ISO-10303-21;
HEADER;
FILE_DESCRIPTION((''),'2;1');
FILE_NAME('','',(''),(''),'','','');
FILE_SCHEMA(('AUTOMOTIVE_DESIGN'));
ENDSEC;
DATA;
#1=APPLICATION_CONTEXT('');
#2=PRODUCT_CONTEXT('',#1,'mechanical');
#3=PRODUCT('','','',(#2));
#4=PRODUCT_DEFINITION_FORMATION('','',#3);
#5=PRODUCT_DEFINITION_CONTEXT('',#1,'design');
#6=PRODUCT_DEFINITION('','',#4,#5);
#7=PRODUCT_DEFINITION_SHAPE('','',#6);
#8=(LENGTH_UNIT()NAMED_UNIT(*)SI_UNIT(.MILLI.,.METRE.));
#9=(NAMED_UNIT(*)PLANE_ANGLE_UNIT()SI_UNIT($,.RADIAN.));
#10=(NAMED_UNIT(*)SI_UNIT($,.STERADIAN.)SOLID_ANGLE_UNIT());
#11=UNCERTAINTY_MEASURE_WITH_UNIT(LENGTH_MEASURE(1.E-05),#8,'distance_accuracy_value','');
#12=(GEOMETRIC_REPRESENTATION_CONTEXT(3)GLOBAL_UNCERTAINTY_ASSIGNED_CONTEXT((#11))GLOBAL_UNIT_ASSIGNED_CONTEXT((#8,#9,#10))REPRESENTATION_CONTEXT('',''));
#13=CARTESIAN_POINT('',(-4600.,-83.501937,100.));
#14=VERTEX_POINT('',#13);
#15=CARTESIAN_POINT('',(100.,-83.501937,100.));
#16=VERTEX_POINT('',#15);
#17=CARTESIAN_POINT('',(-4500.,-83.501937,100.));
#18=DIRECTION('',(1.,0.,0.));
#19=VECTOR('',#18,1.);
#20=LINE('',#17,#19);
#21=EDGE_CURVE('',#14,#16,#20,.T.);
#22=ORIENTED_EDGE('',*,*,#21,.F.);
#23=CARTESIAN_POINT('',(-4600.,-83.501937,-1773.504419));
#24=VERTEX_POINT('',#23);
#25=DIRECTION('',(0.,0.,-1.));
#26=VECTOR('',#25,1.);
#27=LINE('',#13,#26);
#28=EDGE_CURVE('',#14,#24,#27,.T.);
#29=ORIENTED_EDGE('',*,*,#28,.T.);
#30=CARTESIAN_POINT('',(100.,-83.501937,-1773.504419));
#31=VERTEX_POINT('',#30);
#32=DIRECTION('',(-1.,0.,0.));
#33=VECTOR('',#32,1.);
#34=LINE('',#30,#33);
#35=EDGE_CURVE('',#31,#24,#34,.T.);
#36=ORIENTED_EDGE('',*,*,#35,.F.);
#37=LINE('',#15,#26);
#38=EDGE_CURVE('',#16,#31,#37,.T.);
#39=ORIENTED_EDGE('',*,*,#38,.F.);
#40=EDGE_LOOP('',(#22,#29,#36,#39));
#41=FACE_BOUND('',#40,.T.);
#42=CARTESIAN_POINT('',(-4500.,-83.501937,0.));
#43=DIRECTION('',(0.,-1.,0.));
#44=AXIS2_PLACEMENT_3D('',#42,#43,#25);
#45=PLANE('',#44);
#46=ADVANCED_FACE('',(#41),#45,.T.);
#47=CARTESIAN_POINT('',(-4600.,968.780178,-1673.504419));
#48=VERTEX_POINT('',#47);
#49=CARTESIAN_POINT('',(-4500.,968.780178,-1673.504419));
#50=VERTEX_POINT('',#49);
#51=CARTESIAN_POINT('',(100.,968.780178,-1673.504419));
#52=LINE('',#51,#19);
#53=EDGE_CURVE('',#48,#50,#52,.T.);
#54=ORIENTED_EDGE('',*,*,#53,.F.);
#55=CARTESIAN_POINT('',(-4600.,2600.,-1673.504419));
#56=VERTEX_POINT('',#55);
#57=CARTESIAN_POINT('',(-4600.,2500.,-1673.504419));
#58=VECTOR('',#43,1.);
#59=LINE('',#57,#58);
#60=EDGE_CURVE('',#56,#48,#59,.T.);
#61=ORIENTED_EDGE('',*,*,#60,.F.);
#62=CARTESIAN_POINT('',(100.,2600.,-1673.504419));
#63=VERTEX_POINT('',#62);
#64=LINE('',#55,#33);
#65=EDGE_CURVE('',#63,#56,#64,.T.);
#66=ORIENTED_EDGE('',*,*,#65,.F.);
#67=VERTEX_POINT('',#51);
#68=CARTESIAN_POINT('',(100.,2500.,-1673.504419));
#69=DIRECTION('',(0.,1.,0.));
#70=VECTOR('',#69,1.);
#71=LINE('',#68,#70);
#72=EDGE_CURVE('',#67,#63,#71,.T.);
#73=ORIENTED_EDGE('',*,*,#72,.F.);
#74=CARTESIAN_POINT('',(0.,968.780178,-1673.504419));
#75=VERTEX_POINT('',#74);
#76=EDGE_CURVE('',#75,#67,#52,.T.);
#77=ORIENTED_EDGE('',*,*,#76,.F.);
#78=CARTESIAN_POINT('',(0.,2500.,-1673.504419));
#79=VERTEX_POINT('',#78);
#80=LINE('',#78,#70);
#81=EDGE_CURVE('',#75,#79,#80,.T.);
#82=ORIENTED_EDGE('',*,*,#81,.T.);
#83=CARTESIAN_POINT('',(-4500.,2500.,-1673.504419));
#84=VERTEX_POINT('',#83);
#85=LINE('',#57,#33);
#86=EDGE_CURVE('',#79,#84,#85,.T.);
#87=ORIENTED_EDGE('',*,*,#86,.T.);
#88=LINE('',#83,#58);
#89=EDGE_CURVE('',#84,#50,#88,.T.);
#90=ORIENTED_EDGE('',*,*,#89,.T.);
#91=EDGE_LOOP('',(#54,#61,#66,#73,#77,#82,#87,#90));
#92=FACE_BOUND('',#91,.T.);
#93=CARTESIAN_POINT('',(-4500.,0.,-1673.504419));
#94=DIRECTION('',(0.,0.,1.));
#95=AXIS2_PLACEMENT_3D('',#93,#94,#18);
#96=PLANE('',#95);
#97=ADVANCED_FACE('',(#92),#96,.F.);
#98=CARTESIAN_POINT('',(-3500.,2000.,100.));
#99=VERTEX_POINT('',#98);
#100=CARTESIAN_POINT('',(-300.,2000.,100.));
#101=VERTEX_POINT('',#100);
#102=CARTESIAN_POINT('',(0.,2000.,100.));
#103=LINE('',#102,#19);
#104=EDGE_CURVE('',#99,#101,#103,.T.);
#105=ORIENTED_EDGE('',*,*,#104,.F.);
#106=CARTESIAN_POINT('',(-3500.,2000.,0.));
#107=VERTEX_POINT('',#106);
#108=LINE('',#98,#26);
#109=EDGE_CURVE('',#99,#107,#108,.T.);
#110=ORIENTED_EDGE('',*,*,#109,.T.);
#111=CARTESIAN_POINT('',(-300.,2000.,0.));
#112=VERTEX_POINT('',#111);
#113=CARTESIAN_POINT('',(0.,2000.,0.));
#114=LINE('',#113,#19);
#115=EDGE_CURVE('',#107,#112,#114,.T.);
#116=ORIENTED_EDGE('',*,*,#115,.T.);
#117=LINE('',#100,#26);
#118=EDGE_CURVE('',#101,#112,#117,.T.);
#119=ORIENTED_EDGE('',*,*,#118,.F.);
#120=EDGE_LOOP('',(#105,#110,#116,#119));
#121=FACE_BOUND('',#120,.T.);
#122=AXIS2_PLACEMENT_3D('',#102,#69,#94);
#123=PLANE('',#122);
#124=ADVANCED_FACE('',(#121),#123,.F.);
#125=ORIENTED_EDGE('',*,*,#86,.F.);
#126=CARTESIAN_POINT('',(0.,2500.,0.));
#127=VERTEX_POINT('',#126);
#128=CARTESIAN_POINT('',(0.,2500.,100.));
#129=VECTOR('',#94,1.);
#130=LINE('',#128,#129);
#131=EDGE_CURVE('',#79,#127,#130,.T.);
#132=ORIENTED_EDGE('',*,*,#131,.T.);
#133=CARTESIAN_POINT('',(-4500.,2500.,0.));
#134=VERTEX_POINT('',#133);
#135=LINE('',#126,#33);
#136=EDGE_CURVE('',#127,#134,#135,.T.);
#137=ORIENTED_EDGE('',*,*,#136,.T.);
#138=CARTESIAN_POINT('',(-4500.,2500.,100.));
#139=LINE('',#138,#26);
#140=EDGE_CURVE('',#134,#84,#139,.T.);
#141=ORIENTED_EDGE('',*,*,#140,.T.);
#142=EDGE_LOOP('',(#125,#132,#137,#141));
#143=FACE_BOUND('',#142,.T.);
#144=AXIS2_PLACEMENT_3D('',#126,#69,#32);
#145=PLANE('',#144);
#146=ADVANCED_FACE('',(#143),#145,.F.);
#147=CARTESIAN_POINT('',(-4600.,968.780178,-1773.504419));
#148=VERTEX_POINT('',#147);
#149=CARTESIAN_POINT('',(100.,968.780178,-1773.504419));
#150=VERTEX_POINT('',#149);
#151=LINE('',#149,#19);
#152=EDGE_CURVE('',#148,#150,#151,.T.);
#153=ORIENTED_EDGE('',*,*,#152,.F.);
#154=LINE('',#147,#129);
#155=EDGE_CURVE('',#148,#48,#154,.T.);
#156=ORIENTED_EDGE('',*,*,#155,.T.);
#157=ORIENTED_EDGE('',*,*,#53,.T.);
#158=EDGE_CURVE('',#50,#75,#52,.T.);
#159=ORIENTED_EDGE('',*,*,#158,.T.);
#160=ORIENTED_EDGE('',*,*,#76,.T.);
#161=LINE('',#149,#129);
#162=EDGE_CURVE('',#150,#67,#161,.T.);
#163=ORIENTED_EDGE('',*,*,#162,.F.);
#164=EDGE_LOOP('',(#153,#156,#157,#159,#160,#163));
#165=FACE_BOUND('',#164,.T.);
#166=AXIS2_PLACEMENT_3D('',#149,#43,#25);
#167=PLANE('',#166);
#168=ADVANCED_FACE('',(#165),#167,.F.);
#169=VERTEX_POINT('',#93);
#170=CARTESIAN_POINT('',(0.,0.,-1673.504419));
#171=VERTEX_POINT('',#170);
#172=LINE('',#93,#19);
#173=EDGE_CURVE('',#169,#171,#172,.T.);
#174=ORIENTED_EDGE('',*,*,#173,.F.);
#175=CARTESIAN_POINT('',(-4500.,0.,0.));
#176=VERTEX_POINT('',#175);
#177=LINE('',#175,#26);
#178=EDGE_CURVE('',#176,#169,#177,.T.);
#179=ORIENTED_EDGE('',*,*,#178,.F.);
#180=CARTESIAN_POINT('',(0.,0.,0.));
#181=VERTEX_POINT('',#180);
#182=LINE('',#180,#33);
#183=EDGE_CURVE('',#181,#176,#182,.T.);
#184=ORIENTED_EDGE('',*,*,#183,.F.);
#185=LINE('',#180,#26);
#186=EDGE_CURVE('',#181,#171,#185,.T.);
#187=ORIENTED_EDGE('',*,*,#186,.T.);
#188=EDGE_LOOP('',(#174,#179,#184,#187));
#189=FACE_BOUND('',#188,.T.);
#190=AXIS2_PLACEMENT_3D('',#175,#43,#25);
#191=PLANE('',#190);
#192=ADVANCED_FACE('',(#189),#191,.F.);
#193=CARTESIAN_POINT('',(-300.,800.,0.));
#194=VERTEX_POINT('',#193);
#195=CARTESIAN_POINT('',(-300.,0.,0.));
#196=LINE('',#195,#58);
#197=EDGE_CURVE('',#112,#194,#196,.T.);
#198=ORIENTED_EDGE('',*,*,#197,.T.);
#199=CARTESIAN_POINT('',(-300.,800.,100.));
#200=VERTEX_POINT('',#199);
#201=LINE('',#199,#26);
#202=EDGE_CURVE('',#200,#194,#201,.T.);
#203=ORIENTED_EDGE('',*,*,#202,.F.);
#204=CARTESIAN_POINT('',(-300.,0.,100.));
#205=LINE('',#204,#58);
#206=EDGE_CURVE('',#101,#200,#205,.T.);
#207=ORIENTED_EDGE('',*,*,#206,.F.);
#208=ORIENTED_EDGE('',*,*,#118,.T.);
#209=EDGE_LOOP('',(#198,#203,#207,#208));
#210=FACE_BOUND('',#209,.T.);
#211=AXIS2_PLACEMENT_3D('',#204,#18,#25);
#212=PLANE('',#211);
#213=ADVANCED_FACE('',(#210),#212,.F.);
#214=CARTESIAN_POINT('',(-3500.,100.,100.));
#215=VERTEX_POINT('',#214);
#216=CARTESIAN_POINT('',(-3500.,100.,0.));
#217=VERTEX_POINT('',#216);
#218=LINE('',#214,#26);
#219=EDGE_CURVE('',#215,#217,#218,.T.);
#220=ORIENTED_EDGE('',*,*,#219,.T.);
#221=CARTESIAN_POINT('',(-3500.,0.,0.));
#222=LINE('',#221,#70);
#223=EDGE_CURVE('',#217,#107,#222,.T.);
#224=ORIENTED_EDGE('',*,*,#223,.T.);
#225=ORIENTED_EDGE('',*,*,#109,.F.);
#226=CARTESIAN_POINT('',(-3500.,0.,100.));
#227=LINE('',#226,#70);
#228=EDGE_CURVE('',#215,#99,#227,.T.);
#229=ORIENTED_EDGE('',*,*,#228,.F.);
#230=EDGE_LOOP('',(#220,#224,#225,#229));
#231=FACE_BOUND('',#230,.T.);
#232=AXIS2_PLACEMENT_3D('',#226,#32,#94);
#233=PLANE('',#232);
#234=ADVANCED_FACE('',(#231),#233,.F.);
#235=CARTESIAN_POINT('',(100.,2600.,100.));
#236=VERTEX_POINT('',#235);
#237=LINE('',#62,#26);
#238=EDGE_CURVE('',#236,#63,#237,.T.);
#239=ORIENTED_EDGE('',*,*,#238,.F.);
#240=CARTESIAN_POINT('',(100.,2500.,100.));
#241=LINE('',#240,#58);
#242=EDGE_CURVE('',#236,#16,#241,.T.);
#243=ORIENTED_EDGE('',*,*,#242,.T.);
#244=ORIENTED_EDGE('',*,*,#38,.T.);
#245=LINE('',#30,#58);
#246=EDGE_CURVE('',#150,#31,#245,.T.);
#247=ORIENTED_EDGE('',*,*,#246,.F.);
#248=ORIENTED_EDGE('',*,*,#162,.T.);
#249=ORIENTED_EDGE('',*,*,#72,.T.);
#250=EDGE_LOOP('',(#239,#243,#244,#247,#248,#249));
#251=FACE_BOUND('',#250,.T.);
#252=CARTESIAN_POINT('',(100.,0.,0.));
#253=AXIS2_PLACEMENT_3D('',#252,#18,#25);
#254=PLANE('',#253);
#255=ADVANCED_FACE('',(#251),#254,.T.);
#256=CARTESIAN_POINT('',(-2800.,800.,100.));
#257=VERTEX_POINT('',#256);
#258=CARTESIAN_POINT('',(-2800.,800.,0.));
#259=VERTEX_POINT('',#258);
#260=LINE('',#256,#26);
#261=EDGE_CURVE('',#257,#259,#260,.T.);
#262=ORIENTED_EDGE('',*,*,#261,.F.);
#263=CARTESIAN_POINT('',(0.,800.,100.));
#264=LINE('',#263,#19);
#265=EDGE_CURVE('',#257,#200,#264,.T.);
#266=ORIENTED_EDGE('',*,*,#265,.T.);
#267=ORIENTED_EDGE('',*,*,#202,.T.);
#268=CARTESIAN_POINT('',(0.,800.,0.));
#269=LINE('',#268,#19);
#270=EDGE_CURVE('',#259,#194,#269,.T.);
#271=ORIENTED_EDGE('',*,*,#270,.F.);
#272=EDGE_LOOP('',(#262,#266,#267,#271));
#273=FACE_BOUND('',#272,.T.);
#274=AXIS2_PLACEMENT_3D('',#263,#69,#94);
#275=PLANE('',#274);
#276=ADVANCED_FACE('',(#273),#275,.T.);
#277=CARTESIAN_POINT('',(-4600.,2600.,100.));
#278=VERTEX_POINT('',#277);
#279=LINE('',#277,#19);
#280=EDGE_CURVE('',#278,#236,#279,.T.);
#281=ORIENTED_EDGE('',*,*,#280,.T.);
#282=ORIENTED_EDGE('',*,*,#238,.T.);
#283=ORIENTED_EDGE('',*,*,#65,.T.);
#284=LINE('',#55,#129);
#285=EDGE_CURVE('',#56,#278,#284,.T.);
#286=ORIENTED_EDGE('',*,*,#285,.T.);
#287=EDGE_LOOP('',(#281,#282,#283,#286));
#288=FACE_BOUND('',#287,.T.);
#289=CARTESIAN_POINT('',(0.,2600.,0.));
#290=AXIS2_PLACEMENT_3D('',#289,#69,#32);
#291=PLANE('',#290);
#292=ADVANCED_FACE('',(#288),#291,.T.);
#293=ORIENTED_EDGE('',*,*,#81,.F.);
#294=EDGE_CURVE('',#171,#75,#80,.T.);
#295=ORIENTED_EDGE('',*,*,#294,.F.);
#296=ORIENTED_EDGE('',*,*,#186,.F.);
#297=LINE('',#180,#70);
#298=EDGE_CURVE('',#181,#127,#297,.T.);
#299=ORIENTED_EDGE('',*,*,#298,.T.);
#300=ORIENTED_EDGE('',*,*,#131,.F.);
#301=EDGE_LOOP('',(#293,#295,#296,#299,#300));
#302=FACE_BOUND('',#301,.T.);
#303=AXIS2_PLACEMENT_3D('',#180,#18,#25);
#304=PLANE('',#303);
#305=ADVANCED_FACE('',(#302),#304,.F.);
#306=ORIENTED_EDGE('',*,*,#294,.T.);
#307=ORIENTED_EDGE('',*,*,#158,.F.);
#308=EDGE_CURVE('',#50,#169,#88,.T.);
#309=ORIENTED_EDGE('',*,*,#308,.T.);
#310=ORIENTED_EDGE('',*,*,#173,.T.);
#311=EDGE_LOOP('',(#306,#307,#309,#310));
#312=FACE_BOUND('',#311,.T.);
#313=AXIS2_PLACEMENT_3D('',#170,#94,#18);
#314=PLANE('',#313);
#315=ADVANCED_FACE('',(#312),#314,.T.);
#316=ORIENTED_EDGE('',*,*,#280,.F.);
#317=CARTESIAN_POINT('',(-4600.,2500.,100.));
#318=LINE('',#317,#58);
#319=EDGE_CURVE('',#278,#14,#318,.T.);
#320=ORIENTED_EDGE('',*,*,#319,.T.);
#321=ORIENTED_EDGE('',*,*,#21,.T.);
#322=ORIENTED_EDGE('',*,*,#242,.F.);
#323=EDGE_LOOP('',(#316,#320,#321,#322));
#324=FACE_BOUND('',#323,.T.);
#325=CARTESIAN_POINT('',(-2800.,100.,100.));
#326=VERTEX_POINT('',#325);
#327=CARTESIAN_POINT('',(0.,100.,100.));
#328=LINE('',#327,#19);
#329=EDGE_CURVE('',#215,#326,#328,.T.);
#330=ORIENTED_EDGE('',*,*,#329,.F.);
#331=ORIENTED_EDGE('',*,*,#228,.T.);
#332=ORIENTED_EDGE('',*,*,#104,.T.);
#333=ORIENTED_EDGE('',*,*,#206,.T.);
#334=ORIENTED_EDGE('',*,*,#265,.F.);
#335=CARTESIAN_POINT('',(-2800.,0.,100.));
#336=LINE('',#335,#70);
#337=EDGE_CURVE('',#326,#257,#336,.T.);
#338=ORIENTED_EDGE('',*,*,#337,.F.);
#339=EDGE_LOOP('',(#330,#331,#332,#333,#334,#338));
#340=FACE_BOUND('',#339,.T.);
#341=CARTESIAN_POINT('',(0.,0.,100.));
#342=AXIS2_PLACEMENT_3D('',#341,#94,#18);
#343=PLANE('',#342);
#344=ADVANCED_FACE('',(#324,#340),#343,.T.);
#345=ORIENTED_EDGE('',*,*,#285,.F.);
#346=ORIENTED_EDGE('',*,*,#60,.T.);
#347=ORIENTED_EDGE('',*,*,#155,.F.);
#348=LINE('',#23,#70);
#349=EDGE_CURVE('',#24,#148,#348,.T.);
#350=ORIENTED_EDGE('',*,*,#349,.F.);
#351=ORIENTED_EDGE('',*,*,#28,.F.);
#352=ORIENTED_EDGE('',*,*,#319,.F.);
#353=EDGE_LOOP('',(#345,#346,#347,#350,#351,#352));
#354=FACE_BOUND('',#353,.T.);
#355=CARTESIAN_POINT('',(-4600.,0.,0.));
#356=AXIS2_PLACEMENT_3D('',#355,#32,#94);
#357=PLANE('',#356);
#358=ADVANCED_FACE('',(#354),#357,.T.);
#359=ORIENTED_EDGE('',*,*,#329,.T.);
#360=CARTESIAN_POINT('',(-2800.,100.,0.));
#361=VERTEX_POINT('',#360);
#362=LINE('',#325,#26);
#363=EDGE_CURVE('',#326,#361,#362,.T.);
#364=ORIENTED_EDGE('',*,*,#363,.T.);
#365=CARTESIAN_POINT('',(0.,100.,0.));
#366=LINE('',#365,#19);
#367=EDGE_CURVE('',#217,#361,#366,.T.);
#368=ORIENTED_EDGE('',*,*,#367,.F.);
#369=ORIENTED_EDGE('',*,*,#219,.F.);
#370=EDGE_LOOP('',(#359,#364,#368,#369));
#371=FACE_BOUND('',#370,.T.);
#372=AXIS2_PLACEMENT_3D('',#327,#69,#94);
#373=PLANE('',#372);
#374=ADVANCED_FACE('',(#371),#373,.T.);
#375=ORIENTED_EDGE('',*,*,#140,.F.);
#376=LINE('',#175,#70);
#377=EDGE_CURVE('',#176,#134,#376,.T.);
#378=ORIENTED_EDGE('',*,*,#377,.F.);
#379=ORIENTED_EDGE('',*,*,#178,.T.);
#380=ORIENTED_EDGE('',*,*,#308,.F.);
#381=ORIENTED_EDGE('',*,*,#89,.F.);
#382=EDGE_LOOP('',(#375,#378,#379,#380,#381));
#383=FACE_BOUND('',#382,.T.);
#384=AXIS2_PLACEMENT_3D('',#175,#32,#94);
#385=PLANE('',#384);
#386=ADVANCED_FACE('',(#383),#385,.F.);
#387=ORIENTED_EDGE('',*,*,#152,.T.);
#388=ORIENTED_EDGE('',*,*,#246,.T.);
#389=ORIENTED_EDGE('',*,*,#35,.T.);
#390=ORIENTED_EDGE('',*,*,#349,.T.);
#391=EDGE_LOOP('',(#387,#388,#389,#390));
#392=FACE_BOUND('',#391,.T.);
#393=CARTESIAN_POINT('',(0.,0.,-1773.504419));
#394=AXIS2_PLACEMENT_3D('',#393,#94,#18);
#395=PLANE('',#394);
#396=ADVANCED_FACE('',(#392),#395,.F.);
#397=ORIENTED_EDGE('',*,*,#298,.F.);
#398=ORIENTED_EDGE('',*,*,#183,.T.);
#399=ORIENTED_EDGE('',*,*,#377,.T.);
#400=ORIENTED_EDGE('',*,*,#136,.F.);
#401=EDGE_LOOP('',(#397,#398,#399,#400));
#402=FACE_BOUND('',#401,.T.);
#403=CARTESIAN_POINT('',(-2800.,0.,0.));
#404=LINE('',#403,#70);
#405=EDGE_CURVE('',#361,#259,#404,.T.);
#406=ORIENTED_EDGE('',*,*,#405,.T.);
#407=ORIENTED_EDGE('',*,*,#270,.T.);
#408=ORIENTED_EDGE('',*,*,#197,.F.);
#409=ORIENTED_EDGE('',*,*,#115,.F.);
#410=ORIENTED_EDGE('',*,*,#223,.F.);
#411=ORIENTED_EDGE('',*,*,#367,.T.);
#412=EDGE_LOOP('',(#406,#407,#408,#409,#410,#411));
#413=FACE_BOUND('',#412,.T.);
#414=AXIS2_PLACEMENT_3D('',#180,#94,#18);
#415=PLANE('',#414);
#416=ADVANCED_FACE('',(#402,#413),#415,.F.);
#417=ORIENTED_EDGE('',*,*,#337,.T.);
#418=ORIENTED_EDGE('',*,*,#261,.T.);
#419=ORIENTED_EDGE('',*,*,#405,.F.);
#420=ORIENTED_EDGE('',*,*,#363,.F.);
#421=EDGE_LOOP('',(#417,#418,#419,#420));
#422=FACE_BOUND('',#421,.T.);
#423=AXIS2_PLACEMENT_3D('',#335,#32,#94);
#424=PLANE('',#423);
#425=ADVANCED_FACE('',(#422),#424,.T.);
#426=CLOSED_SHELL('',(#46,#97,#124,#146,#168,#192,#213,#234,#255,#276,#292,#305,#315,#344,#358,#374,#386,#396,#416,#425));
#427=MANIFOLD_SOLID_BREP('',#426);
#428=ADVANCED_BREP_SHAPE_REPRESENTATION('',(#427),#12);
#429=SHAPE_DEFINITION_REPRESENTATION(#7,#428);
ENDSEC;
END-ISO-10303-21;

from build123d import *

# Parameters (mm, degrees)
SKETCH_16_W      = 4500
SKETCH_16_H      = 2500
EXTRUDE_5_DEPTH  = 100
SKETCH_19_W      = 1773.504419248
SKETCH_19_H      = 83.501937027
EXTRUDE_6_DEPTH  = 4500
SKETCH_20_W      = 1773.504419248
SKETCH_20_H      = 2583.501937027
EXTRUDE_7_DEPTH  = 100
SKETCH_21_W      = 1773.504419248
SKETCH_21_H      = 2583.501937027
EXTRUDE_8_DEPTH  = 100
SKETCH_22_W      = 4700
SKETCH_22_H      = 1773.504419248
EXTRUDE_9_DEPTH  = 100
SKETCH_23_W      = 4700
SKETCH_23_H      = 1052.282115433
EXTRUDE_10_DEPTH = 100


with BuildPart() as part:
    # Эскиз16 → Бобышка-Вытянуть5 (new body)
    with BuildSketch(Plane.XY):
        with Locations((-2250, 1250)):
            Rectangle(SKETCH_16_W, SKETCH_16_H)
        Polygon((-2800, 100), (-3500, 100), (-3500, 2000), (-2800, 2000), (-300, 2000), (-300, 800), (-2800, 800), align=None, mode=Mode.SUBTRACT)
    extrude(amount=EXTRUDE_5_DEPTH)

    # Эскиз19 → Бобышка-Вытянуть6 (add)
    with BuildSketch(Plane(origin=(0, 0, 0), x_dir=(0, 0, -1), z_dir=(1, 0, 0))):
        with Locations((786.752209624, -41.750968514)):
            Rectangle(SKETCH_19_W, SKETCH_19_H)
    extrude(amount=-EXTRUDE_6_DEPTH)

    # Эскиз20 → Бобышка-Вытянуть7 (add)
    with BuildSketch(Plane(origin=(0, 0, 0), x_dir=(0, 0, -1), z_dir=(1, 0, 0))):
        with Locations((786.752209624, 1208.249031486)):
            Rectangle(SKETCH_20_W, SKETCH_20_H)
    extrude(amount=EXTRUDE_7_DEPTH)

    # Эскиз21 → Бобышка-Вытянуть8 (add)
    with BuildSketch(Plane.ZY.offset(4500)):
        with Locations((-786.752209624, 1208.249031486)):
            Rectangle(SKETCH_21_W, SKETCH_21_H)
    extrude(amount=EXTRUDE_8_DEPTH)

    # Эскиз22 → Бобышка-Вытянуть9 (add)
    with BuildSketch(Plane(origin=(0, 2500, 0), x_dir=(1, 0, 0), z_dir=(0, 1, 0))):
        with Locations((-2250, 786.752209624)):
            Rectangle(SKETCH_22_W, SKETCH_22_H)
    extrude(amount=EXTRUDE_9_DEPTH)

    # Эскиз23 → Бобышка-Вытянуть10 (add)
    with BuildSketch(Plane(origin=(0, 0, -1673.504419248), x_dir=(-1, 0, 0), z_dir=(0, 0, -1))):
        with Locations((2250, 442.639120689)):
            Rectangle(SKETCH_23_W, SKETCH_23_H)
    extrude(amount=EXTRUDE_10_DEPTH)


solid = part.part
